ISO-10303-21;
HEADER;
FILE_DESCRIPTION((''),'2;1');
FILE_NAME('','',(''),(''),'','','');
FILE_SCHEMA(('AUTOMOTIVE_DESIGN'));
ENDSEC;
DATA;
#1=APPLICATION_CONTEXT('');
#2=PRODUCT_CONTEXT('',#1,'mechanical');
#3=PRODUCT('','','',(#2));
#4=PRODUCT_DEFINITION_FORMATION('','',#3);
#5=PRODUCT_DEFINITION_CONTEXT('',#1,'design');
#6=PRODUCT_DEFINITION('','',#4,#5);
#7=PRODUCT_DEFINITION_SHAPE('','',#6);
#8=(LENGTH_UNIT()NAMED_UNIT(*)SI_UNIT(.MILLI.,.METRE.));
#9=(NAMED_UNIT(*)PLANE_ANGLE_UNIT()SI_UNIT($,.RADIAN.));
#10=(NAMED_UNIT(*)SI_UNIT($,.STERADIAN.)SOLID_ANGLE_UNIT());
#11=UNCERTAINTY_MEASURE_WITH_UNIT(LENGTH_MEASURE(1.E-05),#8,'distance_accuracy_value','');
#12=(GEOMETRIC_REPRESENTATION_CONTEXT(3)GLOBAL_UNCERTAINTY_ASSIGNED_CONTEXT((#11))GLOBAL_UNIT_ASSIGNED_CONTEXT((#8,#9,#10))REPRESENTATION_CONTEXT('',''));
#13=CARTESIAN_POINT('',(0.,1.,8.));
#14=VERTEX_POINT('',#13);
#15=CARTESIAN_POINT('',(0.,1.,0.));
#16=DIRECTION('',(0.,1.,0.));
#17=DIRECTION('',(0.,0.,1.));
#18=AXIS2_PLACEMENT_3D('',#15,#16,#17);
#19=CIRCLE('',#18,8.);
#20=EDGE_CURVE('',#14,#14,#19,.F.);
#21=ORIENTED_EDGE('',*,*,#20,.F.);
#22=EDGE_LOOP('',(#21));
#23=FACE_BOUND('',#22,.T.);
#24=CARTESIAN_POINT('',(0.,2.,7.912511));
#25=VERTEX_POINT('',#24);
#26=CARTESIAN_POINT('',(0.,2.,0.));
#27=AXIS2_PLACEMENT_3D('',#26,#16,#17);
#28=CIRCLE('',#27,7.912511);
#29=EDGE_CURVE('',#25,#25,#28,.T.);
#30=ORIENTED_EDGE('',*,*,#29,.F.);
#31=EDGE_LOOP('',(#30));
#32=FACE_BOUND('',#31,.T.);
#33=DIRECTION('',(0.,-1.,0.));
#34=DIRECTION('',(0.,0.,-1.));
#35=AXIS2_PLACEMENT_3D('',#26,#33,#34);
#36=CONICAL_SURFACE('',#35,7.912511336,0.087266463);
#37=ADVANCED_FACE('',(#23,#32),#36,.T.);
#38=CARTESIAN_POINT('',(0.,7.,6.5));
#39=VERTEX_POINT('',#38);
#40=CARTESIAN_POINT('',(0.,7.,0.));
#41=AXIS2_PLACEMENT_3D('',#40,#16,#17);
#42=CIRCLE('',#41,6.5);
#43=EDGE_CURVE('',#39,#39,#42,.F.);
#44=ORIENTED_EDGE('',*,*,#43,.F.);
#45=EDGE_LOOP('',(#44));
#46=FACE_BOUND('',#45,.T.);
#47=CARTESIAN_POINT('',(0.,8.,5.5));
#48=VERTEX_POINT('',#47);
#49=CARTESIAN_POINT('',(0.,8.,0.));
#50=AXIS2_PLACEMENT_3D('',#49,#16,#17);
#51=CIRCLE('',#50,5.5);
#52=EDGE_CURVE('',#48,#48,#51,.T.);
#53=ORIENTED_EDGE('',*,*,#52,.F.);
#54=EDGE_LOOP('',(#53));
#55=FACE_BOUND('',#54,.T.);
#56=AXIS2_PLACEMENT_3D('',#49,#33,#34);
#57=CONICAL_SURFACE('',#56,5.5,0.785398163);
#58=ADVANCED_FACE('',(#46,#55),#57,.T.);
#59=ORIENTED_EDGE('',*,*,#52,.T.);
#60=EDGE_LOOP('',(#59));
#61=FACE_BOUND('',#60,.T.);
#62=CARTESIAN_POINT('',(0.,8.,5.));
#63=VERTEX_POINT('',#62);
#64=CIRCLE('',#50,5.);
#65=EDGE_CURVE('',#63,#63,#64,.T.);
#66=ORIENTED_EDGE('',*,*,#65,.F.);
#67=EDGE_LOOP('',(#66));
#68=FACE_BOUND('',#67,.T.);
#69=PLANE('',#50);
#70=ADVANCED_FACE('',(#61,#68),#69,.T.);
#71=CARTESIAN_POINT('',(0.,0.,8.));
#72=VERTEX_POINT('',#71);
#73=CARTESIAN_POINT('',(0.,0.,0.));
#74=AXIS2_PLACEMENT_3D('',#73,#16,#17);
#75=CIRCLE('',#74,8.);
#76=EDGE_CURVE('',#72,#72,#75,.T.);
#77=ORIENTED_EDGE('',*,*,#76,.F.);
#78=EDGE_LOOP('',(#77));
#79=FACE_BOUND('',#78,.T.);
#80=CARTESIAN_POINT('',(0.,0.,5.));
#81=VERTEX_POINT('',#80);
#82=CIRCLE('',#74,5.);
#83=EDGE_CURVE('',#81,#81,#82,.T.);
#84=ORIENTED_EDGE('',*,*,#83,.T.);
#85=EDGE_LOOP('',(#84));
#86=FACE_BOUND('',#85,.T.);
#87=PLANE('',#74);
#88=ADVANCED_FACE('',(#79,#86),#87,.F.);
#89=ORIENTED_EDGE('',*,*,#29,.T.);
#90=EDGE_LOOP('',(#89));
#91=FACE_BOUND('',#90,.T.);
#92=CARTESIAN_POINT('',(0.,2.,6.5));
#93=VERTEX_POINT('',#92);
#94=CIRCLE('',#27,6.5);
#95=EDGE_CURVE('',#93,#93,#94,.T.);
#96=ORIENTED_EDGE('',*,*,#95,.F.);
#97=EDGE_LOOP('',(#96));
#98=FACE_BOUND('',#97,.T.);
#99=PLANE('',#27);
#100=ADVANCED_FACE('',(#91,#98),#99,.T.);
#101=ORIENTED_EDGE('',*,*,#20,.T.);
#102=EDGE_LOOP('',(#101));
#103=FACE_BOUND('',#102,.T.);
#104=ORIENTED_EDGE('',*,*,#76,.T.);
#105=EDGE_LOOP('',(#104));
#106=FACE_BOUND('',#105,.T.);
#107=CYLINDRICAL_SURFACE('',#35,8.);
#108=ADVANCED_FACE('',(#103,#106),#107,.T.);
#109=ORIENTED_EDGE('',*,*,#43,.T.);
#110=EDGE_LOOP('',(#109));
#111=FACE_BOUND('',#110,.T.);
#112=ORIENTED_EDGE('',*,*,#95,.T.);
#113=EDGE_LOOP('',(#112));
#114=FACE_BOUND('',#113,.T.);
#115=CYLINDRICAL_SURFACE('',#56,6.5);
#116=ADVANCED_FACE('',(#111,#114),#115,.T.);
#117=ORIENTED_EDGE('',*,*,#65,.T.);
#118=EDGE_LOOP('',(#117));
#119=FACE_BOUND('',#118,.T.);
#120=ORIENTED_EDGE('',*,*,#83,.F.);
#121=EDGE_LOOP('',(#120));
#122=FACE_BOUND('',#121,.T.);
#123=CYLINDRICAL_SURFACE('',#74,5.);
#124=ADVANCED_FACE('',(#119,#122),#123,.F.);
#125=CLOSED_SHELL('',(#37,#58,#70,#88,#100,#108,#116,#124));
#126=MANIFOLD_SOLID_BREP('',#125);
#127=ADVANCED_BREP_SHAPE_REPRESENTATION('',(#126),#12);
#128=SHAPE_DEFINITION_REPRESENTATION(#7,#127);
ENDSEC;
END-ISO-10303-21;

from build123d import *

# Parameters (mm, degrees)
SKETCH1_R           = 8
BOSS_EXTRUDE1_DEPTH = 2
SKETCH2_R           = 6.5
BOSS_EXTRUDE2_DEPTH = 6
SKETCH3_R           = 5
CUT_EXTRUDE1_DEPTH  = 8
CHAMFER1_SIZE       = 1
CHAMFER2_SIZE       = 1
CHAMFER2_SIZE2      = 0.087488664


with BuildPart() as part:
    # Sketch1 → Boss-Extrude1 (new body)
    with BuildSketch(Plane(origin=(0, 0, 0), x_dir=(1, 0, 0), z_dir=(0, 1, 0))):
        with Locations(Location((0, 0, 0), (0, 0, 270))):
            Circle(SKETCH1_R)
    extrude(amount=BOSS_EXTRUDE1_DEPTH)

    # Sketch2 → Boss-Extrude2 (add)
    with BuildSketch(Plane(origin=(0, 2, 0), x_dir=(1, 0, 0), z_dir=(0, 1, 0))):
        with Locations(Location((0, 0, 0), (0, 0, 270))):
            Circle(SKETCH2_R)
    extrude(amount=BOSS_EXTRUDE2_DEPTH)

    # Sketch3 → Cut-Extrude1 (cut)
    with BuildSketch(Plane(origin=(0, 8, 0), x_dir=(1, 0, 0), z_dir=(0, 1, 0))):
        with Locations(Location((0, 0, 0), (0, 0, 270))):
            Circle(SKETCH3_R)
    extrude(amount=-CUT_EXTRUDE1_DEPTH, mode=Mode.SUBTRACT)

    # Chamfer1
    chamfer1_edges = [part.edges().sort_by_distance(p)[0] for p in [
        (0, 8, -6.5),
    ]]
    chamfer(chamfer1_edges, length=CHAMFER1_SIZE)

    # Chamfer2
    chamfer2_edges = [part.edges().sort_by_distance(p)[0] for p in [
        (0, 2, -8),
    ]]
    chamfer2_side = [part.faces().sort_by_distance(p)[0] for p in [
        (0, 1, -8),
    ]]
    chamfer(chamfer2_edges, length=CHAMFER2_SIZE, length2=CHAMFER2_SIZE2, reference=chamfer2_side[0])


solid = part.part
